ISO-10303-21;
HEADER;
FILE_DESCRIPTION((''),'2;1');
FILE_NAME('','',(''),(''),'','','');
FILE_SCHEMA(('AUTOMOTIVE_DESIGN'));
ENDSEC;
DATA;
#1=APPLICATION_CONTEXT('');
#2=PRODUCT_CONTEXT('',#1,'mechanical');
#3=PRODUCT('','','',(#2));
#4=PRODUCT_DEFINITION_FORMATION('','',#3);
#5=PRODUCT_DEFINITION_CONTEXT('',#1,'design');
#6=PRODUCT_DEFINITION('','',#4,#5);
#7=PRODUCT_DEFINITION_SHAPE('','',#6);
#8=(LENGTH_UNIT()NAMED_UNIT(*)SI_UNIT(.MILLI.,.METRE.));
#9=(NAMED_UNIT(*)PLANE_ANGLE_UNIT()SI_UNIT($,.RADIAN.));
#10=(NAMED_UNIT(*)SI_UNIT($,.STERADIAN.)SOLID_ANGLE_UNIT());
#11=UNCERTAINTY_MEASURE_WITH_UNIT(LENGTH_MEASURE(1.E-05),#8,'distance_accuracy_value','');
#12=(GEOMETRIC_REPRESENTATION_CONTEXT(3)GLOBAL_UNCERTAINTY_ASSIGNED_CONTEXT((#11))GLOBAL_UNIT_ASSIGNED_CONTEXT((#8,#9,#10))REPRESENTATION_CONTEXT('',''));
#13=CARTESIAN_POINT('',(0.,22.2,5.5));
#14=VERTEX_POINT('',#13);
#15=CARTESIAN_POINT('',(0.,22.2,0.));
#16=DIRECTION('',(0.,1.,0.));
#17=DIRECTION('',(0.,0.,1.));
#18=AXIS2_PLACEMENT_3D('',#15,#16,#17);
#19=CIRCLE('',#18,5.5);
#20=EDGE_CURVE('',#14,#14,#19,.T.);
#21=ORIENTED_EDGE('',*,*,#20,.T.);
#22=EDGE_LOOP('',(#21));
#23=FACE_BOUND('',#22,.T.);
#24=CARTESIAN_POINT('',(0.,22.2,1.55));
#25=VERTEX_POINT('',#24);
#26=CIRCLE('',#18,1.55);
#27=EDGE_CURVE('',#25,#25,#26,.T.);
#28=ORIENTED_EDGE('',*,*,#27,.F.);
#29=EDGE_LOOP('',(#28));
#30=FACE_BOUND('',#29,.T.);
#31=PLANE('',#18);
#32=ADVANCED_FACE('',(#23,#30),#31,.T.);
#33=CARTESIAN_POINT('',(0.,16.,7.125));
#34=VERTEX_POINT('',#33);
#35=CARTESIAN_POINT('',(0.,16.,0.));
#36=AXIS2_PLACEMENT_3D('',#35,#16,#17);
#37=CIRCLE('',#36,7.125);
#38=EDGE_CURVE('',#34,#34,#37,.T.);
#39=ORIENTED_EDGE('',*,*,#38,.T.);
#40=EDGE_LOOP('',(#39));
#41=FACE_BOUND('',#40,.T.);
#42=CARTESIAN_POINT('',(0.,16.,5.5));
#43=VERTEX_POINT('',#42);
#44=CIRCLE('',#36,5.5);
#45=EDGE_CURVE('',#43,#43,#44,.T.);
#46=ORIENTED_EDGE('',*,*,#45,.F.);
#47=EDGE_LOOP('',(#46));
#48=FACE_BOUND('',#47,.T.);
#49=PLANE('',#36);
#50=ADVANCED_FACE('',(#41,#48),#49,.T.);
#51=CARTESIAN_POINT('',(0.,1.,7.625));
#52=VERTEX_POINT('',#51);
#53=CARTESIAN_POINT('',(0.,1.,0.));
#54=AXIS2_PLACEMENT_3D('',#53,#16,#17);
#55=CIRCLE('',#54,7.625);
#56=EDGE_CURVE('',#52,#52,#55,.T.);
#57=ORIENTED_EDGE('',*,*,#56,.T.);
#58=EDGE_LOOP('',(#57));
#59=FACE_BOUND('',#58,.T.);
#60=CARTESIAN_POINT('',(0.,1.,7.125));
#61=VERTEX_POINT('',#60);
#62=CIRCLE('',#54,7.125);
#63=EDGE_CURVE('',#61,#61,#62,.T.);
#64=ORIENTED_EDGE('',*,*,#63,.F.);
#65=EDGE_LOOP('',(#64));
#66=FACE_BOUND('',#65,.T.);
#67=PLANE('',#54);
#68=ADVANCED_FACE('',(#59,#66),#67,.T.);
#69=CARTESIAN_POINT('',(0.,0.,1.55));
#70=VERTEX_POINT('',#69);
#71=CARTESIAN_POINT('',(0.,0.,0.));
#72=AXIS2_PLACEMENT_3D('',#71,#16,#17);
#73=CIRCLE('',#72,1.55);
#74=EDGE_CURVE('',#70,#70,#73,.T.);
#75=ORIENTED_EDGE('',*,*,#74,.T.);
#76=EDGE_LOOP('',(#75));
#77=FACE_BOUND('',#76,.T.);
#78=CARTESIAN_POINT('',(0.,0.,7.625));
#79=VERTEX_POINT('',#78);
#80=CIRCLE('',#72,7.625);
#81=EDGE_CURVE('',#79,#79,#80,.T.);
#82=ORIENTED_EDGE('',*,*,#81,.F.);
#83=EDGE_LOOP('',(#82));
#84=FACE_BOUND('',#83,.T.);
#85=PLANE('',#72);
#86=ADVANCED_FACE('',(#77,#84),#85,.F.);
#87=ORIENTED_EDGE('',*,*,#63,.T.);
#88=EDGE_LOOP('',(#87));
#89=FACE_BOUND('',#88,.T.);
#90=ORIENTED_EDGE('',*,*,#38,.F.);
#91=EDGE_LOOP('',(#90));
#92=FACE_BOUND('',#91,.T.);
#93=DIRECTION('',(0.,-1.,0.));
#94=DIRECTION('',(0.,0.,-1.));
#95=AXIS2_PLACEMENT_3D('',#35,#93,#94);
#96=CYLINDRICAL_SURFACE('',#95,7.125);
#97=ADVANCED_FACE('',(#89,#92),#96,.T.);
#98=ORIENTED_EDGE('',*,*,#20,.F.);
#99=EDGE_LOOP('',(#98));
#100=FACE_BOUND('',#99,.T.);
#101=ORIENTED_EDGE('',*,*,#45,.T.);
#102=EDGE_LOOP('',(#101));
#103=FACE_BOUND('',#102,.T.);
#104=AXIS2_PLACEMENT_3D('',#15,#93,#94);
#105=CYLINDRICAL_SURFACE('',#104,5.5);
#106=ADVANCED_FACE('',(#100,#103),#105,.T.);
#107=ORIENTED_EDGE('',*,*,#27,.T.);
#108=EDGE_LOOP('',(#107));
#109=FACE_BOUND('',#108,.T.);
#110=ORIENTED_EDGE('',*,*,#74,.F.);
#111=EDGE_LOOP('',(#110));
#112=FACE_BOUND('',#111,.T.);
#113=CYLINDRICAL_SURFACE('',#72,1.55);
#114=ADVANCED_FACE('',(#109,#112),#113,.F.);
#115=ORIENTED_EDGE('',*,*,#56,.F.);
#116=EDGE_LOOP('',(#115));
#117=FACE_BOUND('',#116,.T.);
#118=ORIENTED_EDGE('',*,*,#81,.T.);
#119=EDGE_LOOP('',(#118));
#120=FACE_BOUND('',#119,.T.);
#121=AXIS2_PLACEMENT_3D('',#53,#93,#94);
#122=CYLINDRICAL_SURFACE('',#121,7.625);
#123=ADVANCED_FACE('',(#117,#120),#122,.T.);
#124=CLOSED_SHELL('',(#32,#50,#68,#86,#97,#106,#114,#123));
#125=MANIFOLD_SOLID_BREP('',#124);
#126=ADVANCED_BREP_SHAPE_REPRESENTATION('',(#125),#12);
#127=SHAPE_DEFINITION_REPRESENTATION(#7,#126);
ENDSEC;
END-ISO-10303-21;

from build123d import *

# Parameters (mm, degrees)
SKETCH2_R           = 7.625
BOSS_EXTRUDE1_DEPTH = 1
SKETCH4_R           = 7.125
BOSS_EXTRUDE2_DEPTH = 15
SKETCH5_R           = 5.5
BOSS_EXTRUDE3_DEPTH = 6.2
SKETCH6_R           = 1.55
CUT_EXTRUDE1_DEPTH  = 23.2


with BuildPart() as part:
    # Sketch2 → Boss-Extrude1 (new body)
    with BuildSketch(Plane(origin=(0, 0, 0), x_dir=(1, 0, 0), z_dir=(0, 1, 0))):
        Circle(SKETCH2_R)
    extrude(amount=BOSS_EXTRUDE1_DEPTH)

    # Sketch4 → Boss-Extrude2 (add)
    with BuildSketch(Plane(origin=(0, 1, 0), x_dir=(1, 0, 0), z_dir=(0, 1, 0))):
        Circle(SKETCH4_R)
    extrude(amount=BOSS_EXTRUDE2_DEPTH)

    # Sketch5 → Boss-Extrude3 (add)
    with BuildSketch(Plane(origin=(0, 16, 0), x_dir=(1, 0, 0), z_dir=(0, 1, 0))):
        Circle(SKETCH5_R)
    extrude(amount=BOSS_EXTRUDE3_DEPTH)

    # Sketch6 → Cut-Extrude1 (cut, through all)
    with BuildSketch(Plane(origin=(0, 22.2, 0), x_dir=(1, 0, 0), z_dir=(0, 1, 0))):
        Circle(SKETCH6_R)
    extrude(amount=-CUT_EXTRUDE1_DEPTH, mode=Mode.SUBTRACT)


solid = part.part
